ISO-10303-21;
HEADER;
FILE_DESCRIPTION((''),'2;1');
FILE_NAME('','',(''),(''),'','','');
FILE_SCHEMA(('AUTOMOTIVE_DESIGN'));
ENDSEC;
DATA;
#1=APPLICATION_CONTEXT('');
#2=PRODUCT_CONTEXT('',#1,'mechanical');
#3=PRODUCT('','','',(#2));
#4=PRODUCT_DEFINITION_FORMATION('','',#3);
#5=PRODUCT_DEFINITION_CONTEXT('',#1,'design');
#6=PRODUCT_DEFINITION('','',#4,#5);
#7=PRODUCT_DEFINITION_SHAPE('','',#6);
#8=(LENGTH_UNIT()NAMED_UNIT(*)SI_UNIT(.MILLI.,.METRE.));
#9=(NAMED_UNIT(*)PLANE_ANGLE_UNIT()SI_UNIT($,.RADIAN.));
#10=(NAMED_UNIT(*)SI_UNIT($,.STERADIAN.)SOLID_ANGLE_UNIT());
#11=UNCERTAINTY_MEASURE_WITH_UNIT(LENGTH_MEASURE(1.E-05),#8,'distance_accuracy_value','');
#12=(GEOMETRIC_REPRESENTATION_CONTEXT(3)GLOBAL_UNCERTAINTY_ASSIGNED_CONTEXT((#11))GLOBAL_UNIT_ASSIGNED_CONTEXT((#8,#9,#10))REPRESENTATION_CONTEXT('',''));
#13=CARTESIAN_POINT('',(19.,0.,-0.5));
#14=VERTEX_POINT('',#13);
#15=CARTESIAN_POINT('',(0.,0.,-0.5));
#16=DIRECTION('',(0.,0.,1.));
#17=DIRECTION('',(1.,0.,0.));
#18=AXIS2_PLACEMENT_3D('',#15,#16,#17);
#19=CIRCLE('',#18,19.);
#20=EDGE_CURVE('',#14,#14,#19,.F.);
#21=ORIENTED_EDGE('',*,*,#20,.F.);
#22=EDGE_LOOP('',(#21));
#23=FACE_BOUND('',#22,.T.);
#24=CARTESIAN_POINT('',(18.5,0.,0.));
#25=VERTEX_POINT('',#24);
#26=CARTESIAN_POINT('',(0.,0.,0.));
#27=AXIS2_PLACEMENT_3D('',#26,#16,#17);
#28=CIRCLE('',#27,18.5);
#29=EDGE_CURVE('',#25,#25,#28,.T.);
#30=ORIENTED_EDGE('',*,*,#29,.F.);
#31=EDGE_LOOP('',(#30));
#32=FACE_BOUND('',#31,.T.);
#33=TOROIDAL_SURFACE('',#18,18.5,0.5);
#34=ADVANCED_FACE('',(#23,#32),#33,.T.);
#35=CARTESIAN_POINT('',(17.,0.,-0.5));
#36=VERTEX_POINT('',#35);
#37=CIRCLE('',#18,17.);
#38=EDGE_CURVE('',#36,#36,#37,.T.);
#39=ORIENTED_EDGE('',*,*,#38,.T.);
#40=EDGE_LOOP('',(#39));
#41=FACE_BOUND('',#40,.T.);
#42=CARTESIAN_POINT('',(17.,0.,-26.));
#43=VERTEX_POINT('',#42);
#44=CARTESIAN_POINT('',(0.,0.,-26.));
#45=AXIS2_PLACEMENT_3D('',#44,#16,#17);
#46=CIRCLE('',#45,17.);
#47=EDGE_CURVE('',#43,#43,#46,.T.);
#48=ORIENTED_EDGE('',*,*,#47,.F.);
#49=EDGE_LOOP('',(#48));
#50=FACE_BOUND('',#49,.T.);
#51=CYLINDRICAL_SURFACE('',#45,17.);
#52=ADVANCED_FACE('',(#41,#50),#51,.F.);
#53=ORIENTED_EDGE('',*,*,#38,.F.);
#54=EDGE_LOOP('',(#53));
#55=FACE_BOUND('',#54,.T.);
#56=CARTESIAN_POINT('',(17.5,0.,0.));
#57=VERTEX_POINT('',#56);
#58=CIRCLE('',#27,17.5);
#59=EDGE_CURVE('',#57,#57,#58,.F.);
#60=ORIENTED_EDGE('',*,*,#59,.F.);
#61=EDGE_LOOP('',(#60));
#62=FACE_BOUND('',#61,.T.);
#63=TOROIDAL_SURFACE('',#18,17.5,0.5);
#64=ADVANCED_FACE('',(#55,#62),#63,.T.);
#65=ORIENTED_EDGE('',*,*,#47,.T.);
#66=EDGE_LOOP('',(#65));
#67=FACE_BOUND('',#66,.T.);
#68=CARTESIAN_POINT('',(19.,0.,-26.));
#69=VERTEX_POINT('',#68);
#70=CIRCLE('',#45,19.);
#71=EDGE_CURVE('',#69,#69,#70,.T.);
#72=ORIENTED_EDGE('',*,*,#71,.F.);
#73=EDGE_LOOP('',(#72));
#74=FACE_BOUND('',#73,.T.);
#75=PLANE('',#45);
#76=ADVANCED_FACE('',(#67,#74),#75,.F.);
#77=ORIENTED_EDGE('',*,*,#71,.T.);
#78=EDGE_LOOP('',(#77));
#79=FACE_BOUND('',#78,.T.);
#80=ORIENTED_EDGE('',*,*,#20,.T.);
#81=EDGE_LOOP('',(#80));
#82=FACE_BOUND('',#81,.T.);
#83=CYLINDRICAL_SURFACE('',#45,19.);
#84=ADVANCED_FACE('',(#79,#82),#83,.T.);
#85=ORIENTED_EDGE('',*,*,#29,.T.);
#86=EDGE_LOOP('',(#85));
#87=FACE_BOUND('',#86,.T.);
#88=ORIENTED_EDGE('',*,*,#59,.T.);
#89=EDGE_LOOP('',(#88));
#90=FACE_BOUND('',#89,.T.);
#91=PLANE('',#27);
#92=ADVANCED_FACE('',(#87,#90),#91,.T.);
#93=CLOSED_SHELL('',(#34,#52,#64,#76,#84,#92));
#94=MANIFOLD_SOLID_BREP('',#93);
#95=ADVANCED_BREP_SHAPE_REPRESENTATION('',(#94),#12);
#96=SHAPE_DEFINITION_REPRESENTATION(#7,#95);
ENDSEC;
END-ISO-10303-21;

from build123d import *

# Parameters (mm, degrees)
SKETCH1_R           = 19
SKETCH1_R_2         = 17
BOSS_EXTRUDE1_DEPTH = 26
FILLET1_R           = 0.5


with BuildPart() as part:
    # Sketch1 → Boss-Extrude1 (new body)
    with BuildSketch(Plane.XY):
        Circle(SKETCH1_R)
        Circle(SKETCH1_R_2, mode=Mode.SUBTRACT)
    extrude(amount=-BOSS_EXTRUDE1_DEPTH)

    # Fillet1
    fillet1_edges = [part.edges().sort_by_distance(p)[0] for p in [
        (-19, 0, 0),
        (-17, 0, 0),
    ]]
    fillet(fillet1_edges, radius=FILLET1_R)


solid = part.part
